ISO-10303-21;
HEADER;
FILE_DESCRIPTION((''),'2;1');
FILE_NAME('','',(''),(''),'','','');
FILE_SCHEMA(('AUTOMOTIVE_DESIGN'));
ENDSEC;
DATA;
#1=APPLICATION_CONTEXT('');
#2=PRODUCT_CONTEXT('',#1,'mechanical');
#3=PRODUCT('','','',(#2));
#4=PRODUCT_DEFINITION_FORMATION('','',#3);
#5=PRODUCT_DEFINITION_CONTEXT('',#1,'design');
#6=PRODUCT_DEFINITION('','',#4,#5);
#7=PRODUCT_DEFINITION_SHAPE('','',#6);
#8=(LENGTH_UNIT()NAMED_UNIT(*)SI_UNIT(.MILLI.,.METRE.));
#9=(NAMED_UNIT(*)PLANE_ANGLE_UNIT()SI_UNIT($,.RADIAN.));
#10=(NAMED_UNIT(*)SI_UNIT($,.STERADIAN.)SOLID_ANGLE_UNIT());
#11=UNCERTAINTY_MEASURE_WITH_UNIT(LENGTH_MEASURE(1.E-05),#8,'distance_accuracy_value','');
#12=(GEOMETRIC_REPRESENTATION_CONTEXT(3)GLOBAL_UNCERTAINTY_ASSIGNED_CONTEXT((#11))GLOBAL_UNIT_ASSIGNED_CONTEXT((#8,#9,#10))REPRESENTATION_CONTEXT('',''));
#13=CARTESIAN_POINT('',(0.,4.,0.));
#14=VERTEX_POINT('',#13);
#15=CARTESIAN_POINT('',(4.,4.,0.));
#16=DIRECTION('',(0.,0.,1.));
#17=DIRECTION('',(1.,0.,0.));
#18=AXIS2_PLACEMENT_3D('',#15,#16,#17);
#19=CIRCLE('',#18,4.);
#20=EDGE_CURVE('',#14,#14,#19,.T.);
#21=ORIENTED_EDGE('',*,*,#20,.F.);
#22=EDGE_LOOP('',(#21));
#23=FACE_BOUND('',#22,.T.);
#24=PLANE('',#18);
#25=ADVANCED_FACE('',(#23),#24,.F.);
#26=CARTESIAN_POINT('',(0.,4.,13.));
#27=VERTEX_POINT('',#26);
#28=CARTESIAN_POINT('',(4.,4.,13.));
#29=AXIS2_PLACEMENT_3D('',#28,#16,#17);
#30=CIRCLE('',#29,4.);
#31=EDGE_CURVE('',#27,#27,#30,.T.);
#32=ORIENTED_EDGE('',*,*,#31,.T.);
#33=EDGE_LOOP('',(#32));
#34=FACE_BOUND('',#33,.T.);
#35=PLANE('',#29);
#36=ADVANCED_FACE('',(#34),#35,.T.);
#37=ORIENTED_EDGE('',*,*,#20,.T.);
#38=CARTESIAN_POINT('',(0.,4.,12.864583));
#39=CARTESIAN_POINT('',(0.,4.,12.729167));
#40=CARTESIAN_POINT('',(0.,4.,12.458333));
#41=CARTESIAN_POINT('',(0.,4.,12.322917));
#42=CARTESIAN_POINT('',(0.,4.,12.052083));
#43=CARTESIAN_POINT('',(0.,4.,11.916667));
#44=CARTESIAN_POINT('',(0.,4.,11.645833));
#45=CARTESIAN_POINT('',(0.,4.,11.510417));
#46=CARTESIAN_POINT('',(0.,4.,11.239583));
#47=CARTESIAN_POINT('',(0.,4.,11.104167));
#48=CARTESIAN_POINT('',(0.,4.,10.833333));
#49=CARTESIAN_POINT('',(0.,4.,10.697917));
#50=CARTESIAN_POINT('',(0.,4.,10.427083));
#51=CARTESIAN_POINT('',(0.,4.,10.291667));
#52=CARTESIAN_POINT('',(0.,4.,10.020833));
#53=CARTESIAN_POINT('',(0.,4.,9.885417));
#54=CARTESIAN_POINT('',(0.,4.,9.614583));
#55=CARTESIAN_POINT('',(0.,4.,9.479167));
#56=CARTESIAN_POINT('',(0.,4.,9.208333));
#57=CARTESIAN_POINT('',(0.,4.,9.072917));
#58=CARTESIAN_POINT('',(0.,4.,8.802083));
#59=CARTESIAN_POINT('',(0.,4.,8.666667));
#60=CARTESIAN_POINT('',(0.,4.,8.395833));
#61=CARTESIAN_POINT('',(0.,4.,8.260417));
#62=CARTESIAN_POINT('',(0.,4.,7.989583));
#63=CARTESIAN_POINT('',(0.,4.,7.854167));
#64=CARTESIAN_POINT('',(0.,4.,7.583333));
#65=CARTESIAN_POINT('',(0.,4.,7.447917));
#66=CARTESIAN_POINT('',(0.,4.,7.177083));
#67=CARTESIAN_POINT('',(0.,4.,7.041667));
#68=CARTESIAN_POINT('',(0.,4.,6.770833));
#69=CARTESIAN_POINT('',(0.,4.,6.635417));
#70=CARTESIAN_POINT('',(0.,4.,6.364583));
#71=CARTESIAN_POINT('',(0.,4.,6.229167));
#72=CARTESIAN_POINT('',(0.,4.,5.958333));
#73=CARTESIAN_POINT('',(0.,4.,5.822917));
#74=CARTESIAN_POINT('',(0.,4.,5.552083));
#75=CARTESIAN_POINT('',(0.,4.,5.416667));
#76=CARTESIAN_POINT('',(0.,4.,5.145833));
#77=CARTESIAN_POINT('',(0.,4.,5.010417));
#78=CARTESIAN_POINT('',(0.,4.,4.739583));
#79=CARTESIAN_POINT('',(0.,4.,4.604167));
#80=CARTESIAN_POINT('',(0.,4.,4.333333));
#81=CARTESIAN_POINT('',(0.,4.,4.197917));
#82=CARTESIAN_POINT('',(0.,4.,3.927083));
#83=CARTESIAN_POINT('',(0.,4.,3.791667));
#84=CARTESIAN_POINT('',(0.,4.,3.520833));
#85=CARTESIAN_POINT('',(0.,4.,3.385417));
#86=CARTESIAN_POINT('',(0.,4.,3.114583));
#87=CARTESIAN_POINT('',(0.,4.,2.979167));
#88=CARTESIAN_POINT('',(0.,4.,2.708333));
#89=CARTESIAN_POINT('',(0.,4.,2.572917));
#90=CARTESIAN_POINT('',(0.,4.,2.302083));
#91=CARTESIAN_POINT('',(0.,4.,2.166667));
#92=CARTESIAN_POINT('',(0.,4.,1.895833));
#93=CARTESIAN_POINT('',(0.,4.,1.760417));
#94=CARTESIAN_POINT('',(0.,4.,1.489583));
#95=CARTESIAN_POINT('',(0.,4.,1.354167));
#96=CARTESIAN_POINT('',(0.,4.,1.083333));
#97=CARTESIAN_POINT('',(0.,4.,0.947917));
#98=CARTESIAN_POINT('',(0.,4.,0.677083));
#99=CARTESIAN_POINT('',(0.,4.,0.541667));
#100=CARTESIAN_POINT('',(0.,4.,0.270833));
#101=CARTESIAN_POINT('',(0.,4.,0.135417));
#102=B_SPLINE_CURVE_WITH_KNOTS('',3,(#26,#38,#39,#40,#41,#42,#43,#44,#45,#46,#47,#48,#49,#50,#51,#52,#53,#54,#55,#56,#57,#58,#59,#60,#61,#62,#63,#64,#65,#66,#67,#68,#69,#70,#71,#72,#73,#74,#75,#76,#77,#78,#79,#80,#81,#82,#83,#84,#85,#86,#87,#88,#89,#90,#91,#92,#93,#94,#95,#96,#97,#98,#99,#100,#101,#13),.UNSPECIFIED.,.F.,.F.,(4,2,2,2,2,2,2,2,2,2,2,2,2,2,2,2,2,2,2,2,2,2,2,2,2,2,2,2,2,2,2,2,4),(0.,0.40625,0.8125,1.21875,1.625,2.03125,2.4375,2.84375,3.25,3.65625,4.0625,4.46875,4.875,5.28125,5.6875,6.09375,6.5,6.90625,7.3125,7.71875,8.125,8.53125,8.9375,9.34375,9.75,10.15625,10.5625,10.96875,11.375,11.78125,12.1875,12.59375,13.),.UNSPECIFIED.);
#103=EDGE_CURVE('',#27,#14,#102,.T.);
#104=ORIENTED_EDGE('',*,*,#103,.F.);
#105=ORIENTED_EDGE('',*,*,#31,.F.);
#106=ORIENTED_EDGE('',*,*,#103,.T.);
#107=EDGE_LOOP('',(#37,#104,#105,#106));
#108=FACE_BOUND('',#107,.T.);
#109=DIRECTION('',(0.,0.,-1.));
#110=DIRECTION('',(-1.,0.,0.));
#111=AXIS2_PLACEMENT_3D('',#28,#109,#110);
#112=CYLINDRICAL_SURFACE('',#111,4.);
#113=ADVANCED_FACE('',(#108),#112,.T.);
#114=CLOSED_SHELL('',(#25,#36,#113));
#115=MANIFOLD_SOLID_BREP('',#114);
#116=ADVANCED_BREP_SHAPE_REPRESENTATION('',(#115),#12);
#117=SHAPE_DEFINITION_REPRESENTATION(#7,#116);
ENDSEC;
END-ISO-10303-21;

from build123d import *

# Parameters (mm, degrees)
SKETCH1_R     = 4
PROFILE_DEPTH = 13


with BuildPart() as part:
    # Sketch1 → Profile (new body)
    with BuildSketch(Plane.XY):
        with Locations(Location((4, 4, 0), (0, 0, 180))):
            Circle(SKETCH1_R)
    extrude(amount=PROFILE_DEPTH)


solid = part.part
